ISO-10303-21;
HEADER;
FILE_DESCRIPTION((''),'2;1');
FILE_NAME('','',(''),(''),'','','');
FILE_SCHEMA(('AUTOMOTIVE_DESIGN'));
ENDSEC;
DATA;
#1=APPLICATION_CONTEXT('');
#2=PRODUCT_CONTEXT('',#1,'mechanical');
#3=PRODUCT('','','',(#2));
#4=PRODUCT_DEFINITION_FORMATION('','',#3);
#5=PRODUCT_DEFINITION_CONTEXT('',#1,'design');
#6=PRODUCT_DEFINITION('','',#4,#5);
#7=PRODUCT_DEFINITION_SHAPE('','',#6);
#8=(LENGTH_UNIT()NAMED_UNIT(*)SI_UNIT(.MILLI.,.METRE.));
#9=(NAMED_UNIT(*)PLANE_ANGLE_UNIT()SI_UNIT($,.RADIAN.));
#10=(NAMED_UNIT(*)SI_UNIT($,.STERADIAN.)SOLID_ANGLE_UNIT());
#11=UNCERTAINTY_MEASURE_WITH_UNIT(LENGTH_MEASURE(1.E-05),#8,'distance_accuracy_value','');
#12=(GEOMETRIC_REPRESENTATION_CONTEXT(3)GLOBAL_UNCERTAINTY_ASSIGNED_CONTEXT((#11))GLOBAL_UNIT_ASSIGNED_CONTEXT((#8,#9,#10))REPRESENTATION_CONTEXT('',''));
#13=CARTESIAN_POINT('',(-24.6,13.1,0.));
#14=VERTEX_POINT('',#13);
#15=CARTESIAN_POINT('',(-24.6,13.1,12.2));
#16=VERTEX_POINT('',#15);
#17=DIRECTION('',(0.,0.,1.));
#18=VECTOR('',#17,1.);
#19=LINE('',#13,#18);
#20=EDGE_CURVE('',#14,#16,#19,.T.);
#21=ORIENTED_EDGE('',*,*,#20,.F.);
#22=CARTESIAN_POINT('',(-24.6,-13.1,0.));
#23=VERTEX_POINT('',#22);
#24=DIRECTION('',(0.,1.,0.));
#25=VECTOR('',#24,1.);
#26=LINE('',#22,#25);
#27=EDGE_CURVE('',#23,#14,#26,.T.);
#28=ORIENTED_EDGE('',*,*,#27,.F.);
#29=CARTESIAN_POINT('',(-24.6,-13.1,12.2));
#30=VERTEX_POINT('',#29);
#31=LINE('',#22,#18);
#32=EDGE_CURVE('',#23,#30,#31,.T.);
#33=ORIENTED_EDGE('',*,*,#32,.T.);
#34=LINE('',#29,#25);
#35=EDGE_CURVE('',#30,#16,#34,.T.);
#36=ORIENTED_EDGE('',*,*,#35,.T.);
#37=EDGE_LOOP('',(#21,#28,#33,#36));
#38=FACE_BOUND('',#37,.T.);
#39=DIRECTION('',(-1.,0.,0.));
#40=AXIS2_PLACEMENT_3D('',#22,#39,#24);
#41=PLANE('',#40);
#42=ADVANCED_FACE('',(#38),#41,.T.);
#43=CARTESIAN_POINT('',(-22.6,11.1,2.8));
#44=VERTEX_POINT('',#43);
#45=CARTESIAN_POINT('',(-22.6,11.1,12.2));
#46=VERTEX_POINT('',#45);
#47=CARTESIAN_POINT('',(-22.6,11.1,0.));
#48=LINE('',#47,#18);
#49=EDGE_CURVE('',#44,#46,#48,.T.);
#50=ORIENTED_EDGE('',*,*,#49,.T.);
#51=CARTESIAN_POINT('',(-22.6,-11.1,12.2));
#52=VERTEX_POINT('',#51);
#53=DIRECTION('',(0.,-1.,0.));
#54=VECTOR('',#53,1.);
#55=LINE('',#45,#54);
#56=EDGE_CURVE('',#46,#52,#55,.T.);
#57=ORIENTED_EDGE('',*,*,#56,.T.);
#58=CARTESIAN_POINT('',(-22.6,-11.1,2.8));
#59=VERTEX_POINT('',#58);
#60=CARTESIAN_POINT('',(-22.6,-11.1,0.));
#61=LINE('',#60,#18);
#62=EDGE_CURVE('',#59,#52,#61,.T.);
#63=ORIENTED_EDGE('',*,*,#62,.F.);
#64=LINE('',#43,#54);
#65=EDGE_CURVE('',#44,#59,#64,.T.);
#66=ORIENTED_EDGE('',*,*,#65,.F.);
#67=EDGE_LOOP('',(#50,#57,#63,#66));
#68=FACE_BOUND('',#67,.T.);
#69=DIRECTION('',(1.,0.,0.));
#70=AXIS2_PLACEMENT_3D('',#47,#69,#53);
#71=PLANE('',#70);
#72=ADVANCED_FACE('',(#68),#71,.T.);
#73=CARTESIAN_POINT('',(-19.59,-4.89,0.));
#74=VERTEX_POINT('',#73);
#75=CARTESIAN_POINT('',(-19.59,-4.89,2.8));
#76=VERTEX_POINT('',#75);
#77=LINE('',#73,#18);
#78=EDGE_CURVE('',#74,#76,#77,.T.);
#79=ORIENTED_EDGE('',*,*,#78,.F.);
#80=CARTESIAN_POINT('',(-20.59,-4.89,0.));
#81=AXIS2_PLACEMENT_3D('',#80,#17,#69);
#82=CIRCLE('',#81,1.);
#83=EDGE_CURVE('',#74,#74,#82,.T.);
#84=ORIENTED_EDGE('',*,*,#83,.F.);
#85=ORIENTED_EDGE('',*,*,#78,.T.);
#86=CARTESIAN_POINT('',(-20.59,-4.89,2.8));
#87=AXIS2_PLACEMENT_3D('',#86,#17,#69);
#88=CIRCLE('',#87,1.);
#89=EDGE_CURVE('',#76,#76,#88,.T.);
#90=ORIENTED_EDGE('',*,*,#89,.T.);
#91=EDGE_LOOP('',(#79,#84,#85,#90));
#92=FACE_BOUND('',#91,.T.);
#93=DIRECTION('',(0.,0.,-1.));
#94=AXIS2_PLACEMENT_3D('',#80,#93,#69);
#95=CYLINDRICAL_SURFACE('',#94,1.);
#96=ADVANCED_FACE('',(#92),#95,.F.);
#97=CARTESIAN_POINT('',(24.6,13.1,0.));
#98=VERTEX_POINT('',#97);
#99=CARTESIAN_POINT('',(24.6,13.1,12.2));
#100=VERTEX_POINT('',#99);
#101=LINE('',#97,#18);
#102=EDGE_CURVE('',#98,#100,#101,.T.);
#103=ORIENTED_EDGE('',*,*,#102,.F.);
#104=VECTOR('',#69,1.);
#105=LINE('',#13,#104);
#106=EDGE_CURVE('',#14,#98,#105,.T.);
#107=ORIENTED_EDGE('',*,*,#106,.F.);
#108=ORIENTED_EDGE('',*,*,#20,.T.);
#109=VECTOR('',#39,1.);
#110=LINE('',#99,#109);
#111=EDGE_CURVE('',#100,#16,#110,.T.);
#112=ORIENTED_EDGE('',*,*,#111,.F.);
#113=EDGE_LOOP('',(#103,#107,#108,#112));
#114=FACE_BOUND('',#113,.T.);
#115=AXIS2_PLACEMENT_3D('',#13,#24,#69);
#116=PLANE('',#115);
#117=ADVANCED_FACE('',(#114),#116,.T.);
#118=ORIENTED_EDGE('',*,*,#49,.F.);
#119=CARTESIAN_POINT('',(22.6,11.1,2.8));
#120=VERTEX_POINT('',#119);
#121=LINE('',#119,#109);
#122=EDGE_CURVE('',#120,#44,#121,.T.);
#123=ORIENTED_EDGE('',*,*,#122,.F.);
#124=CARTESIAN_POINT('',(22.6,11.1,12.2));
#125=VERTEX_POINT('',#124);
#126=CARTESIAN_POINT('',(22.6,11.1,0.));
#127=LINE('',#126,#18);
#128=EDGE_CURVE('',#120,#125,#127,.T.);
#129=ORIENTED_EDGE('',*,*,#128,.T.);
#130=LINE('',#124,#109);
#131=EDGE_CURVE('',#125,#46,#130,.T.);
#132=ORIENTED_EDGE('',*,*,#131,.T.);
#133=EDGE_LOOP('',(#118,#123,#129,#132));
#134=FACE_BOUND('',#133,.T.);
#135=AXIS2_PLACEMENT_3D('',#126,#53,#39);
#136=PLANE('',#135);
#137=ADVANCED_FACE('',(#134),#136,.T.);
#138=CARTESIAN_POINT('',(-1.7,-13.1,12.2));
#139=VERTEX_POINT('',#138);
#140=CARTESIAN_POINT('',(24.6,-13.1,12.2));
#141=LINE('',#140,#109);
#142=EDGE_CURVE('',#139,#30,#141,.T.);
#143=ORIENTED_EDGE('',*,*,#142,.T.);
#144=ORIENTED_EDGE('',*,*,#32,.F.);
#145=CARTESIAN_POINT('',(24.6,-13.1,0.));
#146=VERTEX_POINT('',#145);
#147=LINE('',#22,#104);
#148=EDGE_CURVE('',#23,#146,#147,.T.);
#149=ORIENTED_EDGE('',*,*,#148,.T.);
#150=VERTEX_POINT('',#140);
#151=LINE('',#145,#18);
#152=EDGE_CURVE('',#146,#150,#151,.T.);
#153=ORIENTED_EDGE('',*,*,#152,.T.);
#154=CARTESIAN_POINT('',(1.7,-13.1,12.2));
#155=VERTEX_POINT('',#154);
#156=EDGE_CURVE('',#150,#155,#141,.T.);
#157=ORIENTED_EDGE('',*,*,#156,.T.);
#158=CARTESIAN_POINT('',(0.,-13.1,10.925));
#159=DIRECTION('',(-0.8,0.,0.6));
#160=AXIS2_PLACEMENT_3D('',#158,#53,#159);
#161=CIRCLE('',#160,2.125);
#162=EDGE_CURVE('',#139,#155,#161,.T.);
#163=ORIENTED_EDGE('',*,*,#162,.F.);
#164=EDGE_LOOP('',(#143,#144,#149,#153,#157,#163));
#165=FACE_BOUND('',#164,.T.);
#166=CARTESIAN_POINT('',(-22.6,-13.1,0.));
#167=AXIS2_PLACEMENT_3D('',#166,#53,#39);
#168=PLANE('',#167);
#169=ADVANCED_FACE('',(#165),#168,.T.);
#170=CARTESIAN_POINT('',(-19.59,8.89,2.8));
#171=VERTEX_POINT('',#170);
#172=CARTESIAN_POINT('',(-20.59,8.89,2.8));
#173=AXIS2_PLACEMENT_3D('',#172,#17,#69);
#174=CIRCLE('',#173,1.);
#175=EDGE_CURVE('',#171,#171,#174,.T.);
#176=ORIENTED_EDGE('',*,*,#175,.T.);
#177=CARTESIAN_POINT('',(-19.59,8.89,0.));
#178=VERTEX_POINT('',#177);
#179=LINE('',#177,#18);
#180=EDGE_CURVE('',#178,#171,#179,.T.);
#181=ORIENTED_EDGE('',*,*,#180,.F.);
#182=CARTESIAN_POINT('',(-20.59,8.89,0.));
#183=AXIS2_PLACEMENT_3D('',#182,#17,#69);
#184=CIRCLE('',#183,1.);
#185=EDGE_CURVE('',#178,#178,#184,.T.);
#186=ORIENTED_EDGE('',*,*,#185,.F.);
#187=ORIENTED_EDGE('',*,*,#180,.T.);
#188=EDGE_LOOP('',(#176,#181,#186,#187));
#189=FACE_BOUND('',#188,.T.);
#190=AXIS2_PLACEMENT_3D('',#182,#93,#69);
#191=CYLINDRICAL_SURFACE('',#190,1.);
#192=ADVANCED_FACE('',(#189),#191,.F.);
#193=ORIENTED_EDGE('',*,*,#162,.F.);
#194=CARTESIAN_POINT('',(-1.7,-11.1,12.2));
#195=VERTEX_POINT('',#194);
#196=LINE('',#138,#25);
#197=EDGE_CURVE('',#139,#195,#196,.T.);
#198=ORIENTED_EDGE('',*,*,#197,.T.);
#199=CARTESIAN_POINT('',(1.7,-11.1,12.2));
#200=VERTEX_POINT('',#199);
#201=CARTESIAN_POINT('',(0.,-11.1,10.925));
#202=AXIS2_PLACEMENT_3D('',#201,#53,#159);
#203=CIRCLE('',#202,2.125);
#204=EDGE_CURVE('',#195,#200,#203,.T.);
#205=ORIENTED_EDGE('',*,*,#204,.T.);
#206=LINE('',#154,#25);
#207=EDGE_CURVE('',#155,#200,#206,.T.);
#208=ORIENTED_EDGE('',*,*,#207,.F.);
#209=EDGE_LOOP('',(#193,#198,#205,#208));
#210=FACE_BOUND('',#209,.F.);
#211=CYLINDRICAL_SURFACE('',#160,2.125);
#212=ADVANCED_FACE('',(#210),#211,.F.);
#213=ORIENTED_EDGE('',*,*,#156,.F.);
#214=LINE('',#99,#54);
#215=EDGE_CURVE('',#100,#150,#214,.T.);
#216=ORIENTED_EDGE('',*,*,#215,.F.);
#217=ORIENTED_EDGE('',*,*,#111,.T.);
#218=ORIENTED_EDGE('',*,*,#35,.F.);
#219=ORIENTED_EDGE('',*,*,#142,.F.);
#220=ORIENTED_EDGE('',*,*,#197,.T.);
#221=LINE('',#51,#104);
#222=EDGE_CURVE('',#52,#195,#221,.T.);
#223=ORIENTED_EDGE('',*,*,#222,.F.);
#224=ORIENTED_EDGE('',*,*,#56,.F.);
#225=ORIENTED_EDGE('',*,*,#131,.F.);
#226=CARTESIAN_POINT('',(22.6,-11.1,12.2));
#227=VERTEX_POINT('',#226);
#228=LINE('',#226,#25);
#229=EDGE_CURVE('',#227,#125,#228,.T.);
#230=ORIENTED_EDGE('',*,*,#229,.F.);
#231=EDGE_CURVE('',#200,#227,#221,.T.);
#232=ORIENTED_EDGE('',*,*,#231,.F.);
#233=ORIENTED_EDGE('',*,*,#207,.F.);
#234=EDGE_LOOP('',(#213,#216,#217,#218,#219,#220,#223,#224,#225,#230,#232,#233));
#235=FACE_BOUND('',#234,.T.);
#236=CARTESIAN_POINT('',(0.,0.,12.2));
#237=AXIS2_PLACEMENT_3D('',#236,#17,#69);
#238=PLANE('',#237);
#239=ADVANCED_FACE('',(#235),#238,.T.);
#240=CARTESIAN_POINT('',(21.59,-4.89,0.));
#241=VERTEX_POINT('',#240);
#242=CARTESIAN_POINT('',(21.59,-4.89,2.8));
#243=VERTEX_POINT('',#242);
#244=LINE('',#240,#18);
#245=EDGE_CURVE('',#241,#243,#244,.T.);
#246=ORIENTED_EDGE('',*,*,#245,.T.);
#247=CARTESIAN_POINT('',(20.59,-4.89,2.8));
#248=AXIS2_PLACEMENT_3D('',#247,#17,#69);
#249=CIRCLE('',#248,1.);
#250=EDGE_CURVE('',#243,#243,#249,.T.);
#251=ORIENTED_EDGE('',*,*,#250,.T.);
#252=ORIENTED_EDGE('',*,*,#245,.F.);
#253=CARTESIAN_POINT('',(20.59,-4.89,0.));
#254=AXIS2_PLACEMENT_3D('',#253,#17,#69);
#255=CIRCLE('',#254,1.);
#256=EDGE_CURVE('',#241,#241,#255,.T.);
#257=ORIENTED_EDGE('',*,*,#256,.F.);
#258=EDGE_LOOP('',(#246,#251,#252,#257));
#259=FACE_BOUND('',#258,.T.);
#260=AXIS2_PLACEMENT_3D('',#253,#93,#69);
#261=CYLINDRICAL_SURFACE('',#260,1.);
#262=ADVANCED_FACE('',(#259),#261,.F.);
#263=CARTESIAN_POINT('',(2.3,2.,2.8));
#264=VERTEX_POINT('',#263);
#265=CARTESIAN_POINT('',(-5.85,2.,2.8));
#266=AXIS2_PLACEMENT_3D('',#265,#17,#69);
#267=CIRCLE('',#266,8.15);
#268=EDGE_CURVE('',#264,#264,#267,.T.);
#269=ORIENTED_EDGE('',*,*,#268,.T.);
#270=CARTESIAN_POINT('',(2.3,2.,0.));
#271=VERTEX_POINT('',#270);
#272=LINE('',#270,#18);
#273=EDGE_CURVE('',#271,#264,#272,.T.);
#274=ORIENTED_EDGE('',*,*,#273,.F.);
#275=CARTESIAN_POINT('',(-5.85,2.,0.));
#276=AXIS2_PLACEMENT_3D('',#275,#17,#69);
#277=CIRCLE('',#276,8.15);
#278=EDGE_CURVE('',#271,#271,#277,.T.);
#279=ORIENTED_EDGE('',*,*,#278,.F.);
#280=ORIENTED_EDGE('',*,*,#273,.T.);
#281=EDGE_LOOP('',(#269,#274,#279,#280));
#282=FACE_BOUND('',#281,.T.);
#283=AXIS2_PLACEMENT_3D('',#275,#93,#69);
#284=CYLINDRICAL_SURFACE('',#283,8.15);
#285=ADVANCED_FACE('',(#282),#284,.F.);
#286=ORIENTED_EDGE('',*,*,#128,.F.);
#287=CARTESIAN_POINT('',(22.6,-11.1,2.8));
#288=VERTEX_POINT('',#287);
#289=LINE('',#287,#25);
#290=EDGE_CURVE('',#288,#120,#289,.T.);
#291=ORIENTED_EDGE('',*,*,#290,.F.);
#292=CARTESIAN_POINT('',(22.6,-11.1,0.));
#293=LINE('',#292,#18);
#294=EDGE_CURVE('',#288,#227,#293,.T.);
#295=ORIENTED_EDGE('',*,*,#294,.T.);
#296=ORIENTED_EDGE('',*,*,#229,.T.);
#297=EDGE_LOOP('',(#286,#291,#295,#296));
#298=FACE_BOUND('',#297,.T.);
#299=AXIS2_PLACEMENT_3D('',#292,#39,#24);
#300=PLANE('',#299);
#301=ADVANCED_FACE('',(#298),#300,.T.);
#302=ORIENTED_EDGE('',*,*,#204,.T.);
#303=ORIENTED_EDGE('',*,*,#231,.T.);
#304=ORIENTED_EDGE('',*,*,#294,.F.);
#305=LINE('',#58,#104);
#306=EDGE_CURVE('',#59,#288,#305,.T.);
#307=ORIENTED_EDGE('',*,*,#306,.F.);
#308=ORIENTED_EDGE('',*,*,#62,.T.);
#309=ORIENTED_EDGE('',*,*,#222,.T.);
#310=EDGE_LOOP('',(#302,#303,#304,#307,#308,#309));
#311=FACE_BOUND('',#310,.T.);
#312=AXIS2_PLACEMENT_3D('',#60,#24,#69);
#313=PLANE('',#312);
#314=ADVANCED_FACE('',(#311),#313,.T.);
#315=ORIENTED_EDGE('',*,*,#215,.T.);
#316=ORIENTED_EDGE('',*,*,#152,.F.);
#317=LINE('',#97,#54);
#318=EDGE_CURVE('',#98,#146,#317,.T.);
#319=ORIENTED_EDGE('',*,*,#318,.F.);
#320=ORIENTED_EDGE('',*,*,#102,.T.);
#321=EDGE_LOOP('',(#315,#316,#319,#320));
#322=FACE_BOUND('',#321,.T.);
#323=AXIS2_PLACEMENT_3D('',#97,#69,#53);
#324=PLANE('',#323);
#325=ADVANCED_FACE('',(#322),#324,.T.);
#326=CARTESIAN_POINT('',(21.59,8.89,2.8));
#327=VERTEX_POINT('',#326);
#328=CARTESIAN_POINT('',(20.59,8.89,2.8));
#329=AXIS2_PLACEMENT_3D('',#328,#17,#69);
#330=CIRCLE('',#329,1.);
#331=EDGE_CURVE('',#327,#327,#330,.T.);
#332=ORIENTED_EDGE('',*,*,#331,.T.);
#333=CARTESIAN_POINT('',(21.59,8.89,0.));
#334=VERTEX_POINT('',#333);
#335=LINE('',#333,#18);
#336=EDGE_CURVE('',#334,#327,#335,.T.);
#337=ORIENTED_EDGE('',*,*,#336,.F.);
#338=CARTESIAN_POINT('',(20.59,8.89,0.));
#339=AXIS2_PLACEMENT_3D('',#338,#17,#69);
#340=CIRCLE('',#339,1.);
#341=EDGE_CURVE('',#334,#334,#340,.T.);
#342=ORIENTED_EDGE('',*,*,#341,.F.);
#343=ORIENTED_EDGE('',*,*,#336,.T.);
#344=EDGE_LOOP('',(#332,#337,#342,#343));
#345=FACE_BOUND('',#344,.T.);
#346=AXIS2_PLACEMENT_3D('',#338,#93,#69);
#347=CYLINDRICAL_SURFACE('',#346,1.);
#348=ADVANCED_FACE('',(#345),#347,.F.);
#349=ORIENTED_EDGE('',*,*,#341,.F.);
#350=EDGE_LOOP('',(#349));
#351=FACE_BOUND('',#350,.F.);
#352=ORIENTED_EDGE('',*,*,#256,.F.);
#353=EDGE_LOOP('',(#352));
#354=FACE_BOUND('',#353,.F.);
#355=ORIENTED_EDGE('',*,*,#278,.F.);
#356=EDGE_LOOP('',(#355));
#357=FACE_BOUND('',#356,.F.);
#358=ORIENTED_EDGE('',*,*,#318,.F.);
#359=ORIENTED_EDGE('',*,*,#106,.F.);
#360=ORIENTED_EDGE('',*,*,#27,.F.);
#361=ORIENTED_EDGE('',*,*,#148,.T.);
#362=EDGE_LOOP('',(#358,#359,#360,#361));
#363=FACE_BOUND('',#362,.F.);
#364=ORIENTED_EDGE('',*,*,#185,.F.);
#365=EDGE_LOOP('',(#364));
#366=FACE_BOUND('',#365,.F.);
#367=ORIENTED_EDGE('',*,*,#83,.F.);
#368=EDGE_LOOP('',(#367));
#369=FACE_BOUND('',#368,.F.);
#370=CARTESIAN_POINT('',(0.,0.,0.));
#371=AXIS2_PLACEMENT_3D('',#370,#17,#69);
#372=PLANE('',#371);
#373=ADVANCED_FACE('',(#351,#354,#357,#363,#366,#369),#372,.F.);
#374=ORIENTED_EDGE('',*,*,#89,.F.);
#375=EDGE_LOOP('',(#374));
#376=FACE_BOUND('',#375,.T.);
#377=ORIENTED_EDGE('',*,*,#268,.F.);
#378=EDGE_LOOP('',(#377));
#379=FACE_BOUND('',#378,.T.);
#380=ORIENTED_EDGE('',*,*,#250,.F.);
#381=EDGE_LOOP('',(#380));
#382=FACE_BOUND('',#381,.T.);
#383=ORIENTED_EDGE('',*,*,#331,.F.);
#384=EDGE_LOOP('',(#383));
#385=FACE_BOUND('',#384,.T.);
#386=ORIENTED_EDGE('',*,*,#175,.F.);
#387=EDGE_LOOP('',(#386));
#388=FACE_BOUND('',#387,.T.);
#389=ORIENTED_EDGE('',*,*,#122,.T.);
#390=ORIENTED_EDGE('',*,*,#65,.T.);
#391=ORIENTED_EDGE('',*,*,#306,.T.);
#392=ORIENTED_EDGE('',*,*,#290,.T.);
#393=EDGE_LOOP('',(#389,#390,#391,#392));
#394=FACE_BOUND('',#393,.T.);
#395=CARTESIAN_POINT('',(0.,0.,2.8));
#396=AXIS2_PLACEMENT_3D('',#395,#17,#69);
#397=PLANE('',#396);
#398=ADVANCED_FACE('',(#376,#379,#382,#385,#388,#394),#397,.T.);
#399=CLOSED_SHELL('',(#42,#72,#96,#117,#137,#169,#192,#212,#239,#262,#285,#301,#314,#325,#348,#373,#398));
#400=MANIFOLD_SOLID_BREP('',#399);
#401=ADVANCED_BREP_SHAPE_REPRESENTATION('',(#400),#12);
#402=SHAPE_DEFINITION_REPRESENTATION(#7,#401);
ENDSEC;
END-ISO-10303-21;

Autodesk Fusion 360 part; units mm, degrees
sketch "Boceto1" plane through (0, 0, 0) normal (0, 0, 1) x (1, 0, 0)
  line L0 (-22.6, -11.1) -> (22.6, -11.1)
  line L1 (22.6, -11.1) -> (22.6, 11.1)
  line L2 (22.6, 11.1) -> (-22.6, 11.1)
  line L3 (-22.6, 11.1) -> (-22.6, -11.1)
  line L4 (-22.6, -11.1) -> (22.6, 11.1) construction
  line L5 (22.6, -11.1) -> (-22.6, 11.1) construction
  circle A0 centre (-5.85, 2) radius 8.15
  circle A1 centre (-20.59, 8.89) radius 1
  line L6 (0, 11.1) -> (0, -11.1) construction
  line L7 (22.6, 13.1) -> (-22.6, 13.1)
  line L8 (-22.6, 13.1) -> (-22.6, 11.1)
  line L9 (-22.6, 11.1) -> (22.6, 11.1)
  line L10 (22.6, 11.1) -> (22.6, 13.1)
  line L11 (22.6, 13.1) -> (-22.6, 11.1) construction
  line L12 (-22.6, 13.1) -> (22.6, 11.1) construction
  line L13 (22.6, -13.1) -> (-22.6, -13.1)
  line L14 (-22.6, -13.1) -> (-22.6, -11.1)
  line L15 (-22.6, -11.1) -> (22.6, -11.1)
  line L16 (22.6, -11.1) -> (22.6, -13.1)
  line L17 (22.6, -13.1) -> (-22.6, -11.1) construction
  line L18 (-22.6, -13.1) -> (22.6, -11.1) construction
  line L19 (24.6, -13.1) -> (22.6, -13.1)
  line L20 (22.6, -13.1) -> (22.6, 13.1)
  line L21 (22.6, 13.1) -> (24.6, 13.1)
  line L22 (24.6, 13.1) -> (24.6, -13.1)
  line L23 (24.6, -13.1) -> (22.6, 13.1) construction
  line L24 (22.6, -13.1) -> (24.6, 13.1) construction
  line L25 (-22.6, -13.1) -> (-24.6, -13.1)
  line L26 (-24.6, -13.1) -> (-24.6, 13.1)
  line L27 (-24.6, 13.1) -> (-22.6, 13.1)
  line L28 (-22.6, 13.1) -> (-22.6, -13.1)
  line L29 (-22.6, -13.1) -> (-24.6, 13.1) construction
  line L30 (-24.6, -13.1) -> (-22.6, 13.1) construction
  circle A2 centre (-20.59, -4.89) radius 1
  circle A3 centre (20.59, 8.89) radius 1
  circle A4 centre (20.59, -4.89) radius 1
  point P0 (0, 12.1)
  point P1 (0, -12.1)
  point P2 (23.6, 0)
  point P3 (-23.6, 0)
  dimension "d5" = 22.2
  dimension "d6" = 45.2
  dimension "d7" = 16.3
  dimension "d10" = 2
  dimension "d11" = 2.01
  dimension "d12" = 2.21
  dimension "d13" = 45.2
  dimension "d14" = 2
  dimension "d15" = 45.2
  dimension "d16" = 2
  dimension "d17" = 2
  dimension "d18" = 26.2
  dimension "d19" = 2
  dimension "d20" = 26.2
  dimension "d26" = 16.75
  dimension "d27" = 9.1
  dimension "d28" = 2
  dimension "d29" = 2.01
  dimension "d30" = 6.21
extrude "Extruir1" add sketch "Boceto1" along normal blind 2.8 contours L0 L1 L2 L3 L9 L15 L20 L28
extrude "Extruir2" add sketch "Boceto1" along normal blind 12.2 contours L3 L8 L14 L25 L26 L27 L28 | L0 L13 L14 L15 L16 L20 L28 | L1 L10 L16 L19 L20 L21 L22 | L2 L7 L8 L9 L10 L20 L28
sketch "Boceto2" plane through (0, -13.1, 0) normal (0, -1, 0) x (1, 0, 0)
  line L0 (-24.6, 0) -> (24.6, 0)
  line L1 (24.6, 0) -> (24.6, 12.2)
  line L2 (24.6, 12.2) -> (-24.6, 12.2)
  line L3 (-24.6, 12.2) -> (-24.6, 0)
  arc A0 (-1.7, 12.2) -> (1.7, 12.2) centre (0, 10.925) ccw
  line L4 (-1.7, 12.2) -> (1.7, 12.2) construction
  line L5 (0, 12.2) -> (0, 8.8) construction
  dimension "d31" = 3.4
  dimension "d32" = 3.4
extrude "Extruir3" cut sketch "Boceto2" against normal blind 2 contours L2 A0
equation "grosor1 = 2.8 mm"
equation "grosor2 = 2 mm"
equation "grosor3 = 7.5 mm"
equation "tolerancia = 0.1 mm"
equation "d5 = 18 mm + tolerancia * 2 + margen_cable"
equation "d6 = 45 mm + tolerancia * 2"
equation "d7 = 16.2 mm + tolerancia"
equation "d10 = 1.9 mm + tolerancia"
equation "d11 = 1.91 mm + tolerancia"
equation "d12 = 2.11 mm + tolerancia"
equation "d13 = d6"
equation "d14 = grosor2"
equation "d15 = d6"
equation "d16 = grosor2"
equation "d17 = grosor2"
equation "d18 = d5 + grosor2 * 2"
equation "d19 = grosor2"
equation "d20 = d5 + grosor2 * 2"
equation "d21 = grosor1"
equation "d23 = 10.2 mm + grosor2"
equation "margen_cable = 4 mm"
equation "d28 = d10"
equation "d29 = d11"
equation "d30 = d12 + margen_cable"
equation "d33 = -grosor2"
